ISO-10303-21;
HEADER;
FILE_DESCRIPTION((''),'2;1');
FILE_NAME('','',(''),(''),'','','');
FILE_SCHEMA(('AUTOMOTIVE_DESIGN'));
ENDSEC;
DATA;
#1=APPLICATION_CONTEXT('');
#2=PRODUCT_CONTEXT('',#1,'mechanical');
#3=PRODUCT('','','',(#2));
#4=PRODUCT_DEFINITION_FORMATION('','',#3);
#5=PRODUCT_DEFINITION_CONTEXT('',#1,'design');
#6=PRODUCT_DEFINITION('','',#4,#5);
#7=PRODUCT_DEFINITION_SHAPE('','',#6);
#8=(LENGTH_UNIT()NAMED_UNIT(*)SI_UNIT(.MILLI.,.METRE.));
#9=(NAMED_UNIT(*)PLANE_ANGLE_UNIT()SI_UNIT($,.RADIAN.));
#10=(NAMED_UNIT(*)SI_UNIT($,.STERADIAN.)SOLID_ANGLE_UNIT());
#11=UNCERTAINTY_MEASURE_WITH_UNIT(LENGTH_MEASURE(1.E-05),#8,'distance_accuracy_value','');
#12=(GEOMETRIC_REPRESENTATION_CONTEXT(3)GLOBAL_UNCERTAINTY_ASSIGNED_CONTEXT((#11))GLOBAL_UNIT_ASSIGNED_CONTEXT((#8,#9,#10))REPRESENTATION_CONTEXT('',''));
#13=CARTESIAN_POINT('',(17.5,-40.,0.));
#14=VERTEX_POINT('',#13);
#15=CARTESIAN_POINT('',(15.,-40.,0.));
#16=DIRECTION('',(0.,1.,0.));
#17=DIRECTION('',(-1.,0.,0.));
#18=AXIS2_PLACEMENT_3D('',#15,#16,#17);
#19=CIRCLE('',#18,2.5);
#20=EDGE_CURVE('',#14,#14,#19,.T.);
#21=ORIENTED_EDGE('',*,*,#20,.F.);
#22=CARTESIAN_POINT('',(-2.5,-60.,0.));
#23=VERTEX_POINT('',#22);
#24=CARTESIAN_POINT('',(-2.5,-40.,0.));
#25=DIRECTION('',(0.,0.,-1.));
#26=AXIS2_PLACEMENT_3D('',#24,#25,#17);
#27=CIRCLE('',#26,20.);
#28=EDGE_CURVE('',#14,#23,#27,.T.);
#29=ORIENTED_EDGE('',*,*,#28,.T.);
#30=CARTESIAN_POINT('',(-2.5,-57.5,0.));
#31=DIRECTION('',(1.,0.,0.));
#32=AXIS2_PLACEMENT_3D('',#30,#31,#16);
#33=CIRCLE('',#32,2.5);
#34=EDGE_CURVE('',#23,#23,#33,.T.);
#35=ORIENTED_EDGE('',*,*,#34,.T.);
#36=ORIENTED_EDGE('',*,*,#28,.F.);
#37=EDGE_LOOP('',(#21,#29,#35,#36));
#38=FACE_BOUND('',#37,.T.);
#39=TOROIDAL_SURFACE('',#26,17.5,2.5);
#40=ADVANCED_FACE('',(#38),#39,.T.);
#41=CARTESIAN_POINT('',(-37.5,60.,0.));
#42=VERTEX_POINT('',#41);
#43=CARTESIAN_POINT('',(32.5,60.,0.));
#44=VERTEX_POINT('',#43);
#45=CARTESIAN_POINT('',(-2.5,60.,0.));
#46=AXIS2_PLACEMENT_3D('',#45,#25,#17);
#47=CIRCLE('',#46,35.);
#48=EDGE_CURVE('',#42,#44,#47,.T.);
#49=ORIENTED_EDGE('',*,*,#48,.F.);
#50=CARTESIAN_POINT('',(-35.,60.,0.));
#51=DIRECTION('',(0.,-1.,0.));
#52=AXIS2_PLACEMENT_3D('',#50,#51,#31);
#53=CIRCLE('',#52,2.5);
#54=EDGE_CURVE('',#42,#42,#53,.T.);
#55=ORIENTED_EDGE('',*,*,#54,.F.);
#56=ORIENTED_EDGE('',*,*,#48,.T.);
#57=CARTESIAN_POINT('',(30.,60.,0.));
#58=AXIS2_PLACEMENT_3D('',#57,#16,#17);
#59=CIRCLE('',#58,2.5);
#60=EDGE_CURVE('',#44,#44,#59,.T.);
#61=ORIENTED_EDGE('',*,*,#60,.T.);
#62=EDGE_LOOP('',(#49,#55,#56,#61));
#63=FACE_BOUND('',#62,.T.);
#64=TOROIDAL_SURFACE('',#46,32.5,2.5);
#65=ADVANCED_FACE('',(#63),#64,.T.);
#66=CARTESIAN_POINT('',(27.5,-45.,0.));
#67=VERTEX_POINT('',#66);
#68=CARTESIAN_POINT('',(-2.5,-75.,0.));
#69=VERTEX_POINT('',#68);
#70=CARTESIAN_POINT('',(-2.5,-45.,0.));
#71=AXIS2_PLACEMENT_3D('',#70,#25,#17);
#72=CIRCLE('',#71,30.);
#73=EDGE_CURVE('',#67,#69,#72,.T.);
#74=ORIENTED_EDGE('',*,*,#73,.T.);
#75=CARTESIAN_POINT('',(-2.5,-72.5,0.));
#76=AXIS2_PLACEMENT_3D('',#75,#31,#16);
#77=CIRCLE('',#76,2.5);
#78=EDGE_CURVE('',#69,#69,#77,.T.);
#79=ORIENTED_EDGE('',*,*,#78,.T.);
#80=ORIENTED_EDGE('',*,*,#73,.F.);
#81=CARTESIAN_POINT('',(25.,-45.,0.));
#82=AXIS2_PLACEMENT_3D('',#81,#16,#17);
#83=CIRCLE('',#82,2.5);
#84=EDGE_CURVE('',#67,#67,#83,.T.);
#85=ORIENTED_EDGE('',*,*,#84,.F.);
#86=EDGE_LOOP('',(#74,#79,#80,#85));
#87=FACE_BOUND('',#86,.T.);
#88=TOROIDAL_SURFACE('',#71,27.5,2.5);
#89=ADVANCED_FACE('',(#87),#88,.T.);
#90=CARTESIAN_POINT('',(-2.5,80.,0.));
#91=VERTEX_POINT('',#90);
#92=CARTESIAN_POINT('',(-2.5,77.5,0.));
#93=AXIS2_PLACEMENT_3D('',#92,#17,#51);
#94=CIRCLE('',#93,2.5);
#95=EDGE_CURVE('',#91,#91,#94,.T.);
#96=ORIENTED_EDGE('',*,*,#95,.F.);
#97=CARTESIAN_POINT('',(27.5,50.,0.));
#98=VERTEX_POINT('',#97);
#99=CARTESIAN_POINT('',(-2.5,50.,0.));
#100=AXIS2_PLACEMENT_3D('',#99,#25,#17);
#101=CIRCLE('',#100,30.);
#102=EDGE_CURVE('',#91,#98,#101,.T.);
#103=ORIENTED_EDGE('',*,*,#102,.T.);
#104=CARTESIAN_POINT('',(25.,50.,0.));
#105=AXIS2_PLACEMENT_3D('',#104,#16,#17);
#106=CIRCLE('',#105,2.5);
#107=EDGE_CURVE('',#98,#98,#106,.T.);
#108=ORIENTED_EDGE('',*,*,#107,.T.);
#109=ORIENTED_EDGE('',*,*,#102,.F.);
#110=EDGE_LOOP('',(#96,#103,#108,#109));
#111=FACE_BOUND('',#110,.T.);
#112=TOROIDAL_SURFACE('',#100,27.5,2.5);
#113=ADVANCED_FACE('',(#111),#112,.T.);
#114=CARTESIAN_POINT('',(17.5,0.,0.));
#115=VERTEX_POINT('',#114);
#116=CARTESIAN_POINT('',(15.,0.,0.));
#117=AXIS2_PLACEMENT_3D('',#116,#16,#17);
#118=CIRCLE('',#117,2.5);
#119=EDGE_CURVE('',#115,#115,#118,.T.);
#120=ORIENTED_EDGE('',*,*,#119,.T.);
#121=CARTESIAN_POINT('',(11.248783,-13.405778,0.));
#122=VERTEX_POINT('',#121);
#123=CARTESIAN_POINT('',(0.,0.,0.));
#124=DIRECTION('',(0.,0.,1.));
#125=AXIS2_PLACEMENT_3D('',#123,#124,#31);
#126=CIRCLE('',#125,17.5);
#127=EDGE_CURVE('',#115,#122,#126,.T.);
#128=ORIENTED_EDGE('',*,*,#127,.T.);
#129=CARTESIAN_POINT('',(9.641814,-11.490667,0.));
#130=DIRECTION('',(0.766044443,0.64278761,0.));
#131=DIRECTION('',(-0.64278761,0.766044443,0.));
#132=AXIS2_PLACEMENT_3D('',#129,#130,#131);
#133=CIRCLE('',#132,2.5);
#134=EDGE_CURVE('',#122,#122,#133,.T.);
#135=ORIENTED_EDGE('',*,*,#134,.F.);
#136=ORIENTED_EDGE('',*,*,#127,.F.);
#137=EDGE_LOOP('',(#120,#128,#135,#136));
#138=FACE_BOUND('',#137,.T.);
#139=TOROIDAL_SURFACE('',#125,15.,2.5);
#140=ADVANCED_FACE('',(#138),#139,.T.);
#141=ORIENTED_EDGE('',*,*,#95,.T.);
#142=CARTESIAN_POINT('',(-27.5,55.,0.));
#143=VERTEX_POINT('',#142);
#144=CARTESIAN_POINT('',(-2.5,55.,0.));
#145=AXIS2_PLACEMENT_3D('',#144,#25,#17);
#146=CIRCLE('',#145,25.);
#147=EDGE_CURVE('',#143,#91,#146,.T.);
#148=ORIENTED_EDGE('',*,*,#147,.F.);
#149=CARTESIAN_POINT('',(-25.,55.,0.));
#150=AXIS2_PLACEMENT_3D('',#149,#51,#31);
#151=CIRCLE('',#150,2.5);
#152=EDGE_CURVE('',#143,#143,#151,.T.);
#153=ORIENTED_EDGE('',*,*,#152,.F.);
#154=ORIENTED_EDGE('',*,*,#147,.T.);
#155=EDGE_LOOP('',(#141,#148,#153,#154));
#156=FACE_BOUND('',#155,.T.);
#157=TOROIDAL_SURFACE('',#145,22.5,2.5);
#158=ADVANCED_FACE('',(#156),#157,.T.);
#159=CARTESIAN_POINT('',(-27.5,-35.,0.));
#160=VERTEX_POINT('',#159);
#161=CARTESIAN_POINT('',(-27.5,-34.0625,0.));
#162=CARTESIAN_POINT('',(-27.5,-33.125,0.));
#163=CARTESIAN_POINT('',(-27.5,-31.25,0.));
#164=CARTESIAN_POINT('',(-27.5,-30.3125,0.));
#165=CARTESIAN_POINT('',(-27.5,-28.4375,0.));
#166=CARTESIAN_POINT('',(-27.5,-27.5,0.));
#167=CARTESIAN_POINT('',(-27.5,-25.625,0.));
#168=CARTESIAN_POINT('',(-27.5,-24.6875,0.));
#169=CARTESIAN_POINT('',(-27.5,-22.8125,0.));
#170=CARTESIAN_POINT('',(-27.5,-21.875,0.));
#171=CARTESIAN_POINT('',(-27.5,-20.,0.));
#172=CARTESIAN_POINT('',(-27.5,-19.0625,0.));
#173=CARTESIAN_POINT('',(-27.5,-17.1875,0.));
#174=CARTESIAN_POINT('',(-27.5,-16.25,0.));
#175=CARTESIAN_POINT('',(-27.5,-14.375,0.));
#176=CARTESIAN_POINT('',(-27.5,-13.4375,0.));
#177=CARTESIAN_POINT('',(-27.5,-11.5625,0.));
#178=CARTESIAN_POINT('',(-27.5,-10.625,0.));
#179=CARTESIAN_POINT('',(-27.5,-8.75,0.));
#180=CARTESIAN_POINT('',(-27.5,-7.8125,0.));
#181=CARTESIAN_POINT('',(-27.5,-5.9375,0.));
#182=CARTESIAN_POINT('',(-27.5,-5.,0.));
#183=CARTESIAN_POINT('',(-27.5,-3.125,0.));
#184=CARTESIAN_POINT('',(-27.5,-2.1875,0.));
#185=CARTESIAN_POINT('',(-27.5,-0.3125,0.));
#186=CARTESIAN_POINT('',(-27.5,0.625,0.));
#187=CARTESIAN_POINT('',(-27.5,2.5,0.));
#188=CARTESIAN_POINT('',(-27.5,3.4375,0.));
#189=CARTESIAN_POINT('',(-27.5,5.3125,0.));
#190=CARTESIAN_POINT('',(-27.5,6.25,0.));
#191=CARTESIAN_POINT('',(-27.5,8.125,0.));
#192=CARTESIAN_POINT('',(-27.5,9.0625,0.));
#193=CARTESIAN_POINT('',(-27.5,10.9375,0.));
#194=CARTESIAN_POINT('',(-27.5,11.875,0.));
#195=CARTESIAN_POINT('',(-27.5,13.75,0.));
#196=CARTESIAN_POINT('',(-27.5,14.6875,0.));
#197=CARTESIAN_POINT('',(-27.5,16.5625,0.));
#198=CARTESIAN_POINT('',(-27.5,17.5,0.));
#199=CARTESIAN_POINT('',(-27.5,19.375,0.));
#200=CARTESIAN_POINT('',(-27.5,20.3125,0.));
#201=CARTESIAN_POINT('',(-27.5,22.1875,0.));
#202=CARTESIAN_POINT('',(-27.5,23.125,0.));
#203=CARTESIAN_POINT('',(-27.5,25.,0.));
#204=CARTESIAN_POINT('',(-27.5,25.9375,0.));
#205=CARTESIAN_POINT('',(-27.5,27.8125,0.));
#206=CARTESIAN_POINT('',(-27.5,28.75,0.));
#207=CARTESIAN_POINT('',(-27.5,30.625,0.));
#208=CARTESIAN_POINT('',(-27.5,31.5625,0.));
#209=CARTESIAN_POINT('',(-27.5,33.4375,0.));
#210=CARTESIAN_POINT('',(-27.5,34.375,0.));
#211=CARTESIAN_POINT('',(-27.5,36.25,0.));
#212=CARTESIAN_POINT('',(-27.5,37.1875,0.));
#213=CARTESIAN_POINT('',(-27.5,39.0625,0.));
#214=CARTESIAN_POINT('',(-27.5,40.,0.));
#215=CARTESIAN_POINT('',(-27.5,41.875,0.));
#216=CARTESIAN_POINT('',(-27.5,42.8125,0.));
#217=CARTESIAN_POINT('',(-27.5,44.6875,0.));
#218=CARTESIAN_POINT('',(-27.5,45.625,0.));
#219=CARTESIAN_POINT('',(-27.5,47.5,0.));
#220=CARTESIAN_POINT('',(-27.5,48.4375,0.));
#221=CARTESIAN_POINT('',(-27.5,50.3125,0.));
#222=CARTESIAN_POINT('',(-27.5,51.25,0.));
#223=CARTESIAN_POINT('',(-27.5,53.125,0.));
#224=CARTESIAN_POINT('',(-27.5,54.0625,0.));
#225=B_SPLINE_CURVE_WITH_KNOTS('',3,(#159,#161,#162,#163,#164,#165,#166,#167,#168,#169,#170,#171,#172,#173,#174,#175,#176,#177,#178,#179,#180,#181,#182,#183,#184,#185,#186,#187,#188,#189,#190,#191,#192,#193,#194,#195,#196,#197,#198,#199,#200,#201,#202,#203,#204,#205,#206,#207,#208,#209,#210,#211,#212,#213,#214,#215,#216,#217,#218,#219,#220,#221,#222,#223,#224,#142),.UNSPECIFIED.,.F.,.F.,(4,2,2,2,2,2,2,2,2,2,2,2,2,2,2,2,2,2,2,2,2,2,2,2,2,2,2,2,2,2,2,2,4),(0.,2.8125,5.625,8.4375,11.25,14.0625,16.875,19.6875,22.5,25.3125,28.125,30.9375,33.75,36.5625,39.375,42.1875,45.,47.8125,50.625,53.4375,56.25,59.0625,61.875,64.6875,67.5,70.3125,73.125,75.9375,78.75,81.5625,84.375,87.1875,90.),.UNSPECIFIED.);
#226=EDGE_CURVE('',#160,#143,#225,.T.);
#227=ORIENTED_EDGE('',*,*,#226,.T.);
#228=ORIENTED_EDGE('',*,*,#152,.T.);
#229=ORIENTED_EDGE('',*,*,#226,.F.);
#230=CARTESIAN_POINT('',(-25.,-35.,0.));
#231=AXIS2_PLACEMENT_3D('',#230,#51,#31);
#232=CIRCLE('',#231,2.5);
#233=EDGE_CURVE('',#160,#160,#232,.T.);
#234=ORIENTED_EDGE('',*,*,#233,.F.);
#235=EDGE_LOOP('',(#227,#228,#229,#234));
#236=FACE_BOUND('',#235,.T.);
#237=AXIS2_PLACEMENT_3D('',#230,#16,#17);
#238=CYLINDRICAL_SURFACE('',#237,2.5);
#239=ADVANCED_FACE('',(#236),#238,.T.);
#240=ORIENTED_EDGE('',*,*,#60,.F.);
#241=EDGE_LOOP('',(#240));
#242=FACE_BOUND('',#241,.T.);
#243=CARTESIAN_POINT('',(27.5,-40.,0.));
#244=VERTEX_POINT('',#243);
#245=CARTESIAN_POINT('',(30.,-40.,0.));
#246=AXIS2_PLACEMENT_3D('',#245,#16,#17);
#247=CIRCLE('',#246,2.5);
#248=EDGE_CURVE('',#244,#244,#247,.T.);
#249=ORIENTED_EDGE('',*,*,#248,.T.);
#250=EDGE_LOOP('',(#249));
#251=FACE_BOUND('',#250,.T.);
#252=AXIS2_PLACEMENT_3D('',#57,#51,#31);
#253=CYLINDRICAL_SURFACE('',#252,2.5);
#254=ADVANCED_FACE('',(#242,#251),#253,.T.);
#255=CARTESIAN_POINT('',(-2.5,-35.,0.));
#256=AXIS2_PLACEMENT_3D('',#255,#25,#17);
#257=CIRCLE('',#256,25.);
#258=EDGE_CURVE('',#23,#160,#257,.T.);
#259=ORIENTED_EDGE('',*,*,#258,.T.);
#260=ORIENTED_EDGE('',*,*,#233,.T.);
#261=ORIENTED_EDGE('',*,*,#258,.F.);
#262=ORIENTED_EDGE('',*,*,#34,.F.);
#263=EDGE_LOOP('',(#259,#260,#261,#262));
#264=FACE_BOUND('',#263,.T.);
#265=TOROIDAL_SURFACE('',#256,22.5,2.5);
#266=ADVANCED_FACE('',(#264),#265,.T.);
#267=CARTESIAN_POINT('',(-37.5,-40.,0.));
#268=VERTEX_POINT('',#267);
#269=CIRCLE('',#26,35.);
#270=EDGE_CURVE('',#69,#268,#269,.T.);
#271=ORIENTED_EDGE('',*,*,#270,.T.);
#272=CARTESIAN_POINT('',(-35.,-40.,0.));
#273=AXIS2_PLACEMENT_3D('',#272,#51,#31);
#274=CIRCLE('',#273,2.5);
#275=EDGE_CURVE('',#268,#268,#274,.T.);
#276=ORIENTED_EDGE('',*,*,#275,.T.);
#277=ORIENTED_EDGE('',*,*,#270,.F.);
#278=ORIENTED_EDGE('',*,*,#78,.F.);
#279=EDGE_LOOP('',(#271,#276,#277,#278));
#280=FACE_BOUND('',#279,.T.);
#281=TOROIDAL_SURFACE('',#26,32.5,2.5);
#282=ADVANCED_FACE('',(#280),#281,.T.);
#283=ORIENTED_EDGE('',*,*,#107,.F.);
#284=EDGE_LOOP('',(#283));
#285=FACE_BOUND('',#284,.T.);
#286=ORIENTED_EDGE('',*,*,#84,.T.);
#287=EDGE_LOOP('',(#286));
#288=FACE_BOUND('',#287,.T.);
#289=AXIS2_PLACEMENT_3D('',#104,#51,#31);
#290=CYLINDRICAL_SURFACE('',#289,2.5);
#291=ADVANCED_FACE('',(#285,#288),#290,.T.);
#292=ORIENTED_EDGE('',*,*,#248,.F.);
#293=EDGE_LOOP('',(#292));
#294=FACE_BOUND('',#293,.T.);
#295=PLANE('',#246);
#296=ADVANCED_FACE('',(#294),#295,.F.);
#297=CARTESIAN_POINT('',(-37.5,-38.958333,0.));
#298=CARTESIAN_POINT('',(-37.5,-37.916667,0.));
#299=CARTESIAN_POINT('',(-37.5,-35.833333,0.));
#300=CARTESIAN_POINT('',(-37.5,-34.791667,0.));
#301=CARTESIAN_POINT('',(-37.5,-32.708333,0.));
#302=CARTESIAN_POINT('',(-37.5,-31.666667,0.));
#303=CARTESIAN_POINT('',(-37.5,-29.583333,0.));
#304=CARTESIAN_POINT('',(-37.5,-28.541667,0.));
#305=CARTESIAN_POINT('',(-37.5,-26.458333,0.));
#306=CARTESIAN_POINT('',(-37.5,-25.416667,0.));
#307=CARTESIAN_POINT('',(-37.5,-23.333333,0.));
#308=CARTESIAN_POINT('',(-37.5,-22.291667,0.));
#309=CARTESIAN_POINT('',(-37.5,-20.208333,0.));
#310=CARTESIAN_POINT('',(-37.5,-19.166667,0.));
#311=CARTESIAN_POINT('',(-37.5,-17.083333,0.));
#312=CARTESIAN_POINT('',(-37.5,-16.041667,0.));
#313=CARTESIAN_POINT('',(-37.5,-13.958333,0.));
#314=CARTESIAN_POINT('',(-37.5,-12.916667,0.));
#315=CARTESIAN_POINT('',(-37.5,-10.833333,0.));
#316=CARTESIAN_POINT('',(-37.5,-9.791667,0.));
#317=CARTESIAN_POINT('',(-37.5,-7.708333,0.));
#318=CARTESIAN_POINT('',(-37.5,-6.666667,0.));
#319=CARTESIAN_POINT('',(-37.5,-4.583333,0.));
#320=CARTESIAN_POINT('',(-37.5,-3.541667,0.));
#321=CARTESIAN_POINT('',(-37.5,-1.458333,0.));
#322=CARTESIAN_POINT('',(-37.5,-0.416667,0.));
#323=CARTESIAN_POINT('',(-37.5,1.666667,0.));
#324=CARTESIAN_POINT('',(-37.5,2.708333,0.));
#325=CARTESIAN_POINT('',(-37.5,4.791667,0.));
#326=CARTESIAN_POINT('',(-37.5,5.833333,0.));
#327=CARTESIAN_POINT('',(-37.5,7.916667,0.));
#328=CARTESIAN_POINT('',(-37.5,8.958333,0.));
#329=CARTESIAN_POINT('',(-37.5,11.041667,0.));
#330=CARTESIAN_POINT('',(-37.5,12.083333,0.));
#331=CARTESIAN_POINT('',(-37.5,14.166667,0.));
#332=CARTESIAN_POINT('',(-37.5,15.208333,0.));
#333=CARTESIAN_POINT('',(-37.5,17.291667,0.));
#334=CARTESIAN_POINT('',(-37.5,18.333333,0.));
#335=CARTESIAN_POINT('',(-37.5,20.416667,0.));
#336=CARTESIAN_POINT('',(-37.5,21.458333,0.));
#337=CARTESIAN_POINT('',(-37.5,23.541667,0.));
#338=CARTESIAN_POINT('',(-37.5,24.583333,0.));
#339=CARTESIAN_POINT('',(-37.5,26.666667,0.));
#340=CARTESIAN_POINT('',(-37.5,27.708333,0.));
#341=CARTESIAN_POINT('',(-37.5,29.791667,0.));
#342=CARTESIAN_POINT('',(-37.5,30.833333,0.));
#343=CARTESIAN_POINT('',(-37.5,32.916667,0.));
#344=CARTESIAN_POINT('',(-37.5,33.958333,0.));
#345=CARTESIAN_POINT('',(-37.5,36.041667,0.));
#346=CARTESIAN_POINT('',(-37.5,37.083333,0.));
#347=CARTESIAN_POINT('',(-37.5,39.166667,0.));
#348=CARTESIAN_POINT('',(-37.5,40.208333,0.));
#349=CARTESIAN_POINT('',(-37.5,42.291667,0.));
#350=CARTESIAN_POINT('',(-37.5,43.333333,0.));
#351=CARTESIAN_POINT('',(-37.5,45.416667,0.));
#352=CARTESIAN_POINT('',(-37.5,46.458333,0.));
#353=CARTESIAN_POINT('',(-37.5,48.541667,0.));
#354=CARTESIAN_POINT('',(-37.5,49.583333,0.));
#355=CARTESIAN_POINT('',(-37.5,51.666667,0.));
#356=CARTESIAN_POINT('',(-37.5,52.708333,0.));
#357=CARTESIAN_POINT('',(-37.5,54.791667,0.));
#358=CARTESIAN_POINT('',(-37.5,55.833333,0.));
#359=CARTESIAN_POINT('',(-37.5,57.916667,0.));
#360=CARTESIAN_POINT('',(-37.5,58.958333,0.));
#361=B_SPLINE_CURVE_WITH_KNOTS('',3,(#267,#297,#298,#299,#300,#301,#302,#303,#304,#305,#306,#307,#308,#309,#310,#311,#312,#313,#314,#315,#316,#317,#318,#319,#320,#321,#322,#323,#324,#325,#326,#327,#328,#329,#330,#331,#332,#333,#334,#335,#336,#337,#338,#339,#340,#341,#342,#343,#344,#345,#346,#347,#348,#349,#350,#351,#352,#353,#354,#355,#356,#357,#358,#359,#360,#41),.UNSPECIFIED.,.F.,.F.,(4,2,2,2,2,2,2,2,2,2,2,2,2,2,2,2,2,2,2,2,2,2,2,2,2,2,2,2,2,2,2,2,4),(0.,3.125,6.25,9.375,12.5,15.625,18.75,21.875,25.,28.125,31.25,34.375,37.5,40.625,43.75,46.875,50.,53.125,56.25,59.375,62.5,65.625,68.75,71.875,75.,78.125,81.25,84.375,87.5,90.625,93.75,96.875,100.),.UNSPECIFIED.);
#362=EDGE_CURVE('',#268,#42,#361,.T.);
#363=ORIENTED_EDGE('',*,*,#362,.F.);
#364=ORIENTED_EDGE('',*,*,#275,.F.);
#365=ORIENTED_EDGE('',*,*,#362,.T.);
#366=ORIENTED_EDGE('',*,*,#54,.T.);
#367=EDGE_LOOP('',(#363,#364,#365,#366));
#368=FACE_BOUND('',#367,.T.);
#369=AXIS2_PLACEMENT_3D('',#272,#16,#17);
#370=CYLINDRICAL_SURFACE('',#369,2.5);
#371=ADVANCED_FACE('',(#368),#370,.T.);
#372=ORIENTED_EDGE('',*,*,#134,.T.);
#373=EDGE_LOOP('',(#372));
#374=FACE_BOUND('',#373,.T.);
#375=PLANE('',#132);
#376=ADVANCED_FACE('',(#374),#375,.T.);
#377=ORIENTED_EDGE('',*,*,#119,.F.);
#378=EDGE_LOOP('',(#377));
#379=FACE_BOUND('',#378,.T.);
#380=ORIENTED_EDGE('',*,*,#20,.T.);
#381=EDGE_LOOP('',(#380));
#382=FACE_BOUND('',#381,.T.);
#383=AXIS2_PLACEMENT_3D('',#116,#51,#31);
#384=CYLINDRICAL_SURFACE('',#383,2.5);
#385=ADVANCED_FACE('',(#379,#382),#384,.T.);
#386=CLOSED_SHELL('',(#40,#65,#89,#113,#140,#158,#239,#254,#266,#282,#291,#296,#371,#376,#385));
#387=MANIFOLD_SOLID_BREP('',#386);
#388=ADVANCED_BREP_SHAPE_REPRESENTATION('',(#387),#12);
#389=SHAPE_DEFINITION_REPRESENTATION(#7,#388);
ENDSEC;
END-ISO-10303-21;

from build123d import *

# Parameters (mm, degrees)
SKETCH_3_R = 2.5


with BuildPart() as part:
    # По траектории1: sweep along a path in Эскиз2
    with BuildLine(Plane.XY) as sweep_1_path:
        Line((30, -40), (30, 60))
        ThreePointArc((30, 60), (-2.5, 92.5), (-35, 60))
        Line((-35, 60), (-35, -40))
        ThreePointArc((-35, -40), (-25.480970389, -62.980970389), (-2.5, -72.5))
        ThreePointArc((-2.5, -72.5), (16.945436483, -64.445436483), (25, -45))
        Line((25, -45), (25, 50))
        ThreePointArc((25, 50), (16.945436483, 69.445436483), (-2.5, 77.5))
        ThreePointArc((-2.5, 77.5), (-18.409902577, 70.909902577), (-25, 55))
        Line((-25, 55), (-25, -35))
        ThreePointArc((-25, -35), (-18.409902577, -50.909902577), (-2.5, -57.5))
        ThreePointArc((-2.5, -57.5), (9.874368671, -52.374368671), (15, -40))
        Line((15, -40), (15, 0))
        ThreePointArc((15, 0), (-13.594616806, 6.339273926), (9.641814145, -11.490666647))
    # Эскиз3 → По траектории1 (sweep)
    with BuildSketch(Plane(origin=(9.641814145, -11.490666647, 0), x_dir=(0, 0, -1), z_dir=(0.7660444431189765, 0.6427876096865413, 0))):
        Circle(SKETCH_3_R)
    sweep(path=sweep_1_path.line)


solid = part.part
